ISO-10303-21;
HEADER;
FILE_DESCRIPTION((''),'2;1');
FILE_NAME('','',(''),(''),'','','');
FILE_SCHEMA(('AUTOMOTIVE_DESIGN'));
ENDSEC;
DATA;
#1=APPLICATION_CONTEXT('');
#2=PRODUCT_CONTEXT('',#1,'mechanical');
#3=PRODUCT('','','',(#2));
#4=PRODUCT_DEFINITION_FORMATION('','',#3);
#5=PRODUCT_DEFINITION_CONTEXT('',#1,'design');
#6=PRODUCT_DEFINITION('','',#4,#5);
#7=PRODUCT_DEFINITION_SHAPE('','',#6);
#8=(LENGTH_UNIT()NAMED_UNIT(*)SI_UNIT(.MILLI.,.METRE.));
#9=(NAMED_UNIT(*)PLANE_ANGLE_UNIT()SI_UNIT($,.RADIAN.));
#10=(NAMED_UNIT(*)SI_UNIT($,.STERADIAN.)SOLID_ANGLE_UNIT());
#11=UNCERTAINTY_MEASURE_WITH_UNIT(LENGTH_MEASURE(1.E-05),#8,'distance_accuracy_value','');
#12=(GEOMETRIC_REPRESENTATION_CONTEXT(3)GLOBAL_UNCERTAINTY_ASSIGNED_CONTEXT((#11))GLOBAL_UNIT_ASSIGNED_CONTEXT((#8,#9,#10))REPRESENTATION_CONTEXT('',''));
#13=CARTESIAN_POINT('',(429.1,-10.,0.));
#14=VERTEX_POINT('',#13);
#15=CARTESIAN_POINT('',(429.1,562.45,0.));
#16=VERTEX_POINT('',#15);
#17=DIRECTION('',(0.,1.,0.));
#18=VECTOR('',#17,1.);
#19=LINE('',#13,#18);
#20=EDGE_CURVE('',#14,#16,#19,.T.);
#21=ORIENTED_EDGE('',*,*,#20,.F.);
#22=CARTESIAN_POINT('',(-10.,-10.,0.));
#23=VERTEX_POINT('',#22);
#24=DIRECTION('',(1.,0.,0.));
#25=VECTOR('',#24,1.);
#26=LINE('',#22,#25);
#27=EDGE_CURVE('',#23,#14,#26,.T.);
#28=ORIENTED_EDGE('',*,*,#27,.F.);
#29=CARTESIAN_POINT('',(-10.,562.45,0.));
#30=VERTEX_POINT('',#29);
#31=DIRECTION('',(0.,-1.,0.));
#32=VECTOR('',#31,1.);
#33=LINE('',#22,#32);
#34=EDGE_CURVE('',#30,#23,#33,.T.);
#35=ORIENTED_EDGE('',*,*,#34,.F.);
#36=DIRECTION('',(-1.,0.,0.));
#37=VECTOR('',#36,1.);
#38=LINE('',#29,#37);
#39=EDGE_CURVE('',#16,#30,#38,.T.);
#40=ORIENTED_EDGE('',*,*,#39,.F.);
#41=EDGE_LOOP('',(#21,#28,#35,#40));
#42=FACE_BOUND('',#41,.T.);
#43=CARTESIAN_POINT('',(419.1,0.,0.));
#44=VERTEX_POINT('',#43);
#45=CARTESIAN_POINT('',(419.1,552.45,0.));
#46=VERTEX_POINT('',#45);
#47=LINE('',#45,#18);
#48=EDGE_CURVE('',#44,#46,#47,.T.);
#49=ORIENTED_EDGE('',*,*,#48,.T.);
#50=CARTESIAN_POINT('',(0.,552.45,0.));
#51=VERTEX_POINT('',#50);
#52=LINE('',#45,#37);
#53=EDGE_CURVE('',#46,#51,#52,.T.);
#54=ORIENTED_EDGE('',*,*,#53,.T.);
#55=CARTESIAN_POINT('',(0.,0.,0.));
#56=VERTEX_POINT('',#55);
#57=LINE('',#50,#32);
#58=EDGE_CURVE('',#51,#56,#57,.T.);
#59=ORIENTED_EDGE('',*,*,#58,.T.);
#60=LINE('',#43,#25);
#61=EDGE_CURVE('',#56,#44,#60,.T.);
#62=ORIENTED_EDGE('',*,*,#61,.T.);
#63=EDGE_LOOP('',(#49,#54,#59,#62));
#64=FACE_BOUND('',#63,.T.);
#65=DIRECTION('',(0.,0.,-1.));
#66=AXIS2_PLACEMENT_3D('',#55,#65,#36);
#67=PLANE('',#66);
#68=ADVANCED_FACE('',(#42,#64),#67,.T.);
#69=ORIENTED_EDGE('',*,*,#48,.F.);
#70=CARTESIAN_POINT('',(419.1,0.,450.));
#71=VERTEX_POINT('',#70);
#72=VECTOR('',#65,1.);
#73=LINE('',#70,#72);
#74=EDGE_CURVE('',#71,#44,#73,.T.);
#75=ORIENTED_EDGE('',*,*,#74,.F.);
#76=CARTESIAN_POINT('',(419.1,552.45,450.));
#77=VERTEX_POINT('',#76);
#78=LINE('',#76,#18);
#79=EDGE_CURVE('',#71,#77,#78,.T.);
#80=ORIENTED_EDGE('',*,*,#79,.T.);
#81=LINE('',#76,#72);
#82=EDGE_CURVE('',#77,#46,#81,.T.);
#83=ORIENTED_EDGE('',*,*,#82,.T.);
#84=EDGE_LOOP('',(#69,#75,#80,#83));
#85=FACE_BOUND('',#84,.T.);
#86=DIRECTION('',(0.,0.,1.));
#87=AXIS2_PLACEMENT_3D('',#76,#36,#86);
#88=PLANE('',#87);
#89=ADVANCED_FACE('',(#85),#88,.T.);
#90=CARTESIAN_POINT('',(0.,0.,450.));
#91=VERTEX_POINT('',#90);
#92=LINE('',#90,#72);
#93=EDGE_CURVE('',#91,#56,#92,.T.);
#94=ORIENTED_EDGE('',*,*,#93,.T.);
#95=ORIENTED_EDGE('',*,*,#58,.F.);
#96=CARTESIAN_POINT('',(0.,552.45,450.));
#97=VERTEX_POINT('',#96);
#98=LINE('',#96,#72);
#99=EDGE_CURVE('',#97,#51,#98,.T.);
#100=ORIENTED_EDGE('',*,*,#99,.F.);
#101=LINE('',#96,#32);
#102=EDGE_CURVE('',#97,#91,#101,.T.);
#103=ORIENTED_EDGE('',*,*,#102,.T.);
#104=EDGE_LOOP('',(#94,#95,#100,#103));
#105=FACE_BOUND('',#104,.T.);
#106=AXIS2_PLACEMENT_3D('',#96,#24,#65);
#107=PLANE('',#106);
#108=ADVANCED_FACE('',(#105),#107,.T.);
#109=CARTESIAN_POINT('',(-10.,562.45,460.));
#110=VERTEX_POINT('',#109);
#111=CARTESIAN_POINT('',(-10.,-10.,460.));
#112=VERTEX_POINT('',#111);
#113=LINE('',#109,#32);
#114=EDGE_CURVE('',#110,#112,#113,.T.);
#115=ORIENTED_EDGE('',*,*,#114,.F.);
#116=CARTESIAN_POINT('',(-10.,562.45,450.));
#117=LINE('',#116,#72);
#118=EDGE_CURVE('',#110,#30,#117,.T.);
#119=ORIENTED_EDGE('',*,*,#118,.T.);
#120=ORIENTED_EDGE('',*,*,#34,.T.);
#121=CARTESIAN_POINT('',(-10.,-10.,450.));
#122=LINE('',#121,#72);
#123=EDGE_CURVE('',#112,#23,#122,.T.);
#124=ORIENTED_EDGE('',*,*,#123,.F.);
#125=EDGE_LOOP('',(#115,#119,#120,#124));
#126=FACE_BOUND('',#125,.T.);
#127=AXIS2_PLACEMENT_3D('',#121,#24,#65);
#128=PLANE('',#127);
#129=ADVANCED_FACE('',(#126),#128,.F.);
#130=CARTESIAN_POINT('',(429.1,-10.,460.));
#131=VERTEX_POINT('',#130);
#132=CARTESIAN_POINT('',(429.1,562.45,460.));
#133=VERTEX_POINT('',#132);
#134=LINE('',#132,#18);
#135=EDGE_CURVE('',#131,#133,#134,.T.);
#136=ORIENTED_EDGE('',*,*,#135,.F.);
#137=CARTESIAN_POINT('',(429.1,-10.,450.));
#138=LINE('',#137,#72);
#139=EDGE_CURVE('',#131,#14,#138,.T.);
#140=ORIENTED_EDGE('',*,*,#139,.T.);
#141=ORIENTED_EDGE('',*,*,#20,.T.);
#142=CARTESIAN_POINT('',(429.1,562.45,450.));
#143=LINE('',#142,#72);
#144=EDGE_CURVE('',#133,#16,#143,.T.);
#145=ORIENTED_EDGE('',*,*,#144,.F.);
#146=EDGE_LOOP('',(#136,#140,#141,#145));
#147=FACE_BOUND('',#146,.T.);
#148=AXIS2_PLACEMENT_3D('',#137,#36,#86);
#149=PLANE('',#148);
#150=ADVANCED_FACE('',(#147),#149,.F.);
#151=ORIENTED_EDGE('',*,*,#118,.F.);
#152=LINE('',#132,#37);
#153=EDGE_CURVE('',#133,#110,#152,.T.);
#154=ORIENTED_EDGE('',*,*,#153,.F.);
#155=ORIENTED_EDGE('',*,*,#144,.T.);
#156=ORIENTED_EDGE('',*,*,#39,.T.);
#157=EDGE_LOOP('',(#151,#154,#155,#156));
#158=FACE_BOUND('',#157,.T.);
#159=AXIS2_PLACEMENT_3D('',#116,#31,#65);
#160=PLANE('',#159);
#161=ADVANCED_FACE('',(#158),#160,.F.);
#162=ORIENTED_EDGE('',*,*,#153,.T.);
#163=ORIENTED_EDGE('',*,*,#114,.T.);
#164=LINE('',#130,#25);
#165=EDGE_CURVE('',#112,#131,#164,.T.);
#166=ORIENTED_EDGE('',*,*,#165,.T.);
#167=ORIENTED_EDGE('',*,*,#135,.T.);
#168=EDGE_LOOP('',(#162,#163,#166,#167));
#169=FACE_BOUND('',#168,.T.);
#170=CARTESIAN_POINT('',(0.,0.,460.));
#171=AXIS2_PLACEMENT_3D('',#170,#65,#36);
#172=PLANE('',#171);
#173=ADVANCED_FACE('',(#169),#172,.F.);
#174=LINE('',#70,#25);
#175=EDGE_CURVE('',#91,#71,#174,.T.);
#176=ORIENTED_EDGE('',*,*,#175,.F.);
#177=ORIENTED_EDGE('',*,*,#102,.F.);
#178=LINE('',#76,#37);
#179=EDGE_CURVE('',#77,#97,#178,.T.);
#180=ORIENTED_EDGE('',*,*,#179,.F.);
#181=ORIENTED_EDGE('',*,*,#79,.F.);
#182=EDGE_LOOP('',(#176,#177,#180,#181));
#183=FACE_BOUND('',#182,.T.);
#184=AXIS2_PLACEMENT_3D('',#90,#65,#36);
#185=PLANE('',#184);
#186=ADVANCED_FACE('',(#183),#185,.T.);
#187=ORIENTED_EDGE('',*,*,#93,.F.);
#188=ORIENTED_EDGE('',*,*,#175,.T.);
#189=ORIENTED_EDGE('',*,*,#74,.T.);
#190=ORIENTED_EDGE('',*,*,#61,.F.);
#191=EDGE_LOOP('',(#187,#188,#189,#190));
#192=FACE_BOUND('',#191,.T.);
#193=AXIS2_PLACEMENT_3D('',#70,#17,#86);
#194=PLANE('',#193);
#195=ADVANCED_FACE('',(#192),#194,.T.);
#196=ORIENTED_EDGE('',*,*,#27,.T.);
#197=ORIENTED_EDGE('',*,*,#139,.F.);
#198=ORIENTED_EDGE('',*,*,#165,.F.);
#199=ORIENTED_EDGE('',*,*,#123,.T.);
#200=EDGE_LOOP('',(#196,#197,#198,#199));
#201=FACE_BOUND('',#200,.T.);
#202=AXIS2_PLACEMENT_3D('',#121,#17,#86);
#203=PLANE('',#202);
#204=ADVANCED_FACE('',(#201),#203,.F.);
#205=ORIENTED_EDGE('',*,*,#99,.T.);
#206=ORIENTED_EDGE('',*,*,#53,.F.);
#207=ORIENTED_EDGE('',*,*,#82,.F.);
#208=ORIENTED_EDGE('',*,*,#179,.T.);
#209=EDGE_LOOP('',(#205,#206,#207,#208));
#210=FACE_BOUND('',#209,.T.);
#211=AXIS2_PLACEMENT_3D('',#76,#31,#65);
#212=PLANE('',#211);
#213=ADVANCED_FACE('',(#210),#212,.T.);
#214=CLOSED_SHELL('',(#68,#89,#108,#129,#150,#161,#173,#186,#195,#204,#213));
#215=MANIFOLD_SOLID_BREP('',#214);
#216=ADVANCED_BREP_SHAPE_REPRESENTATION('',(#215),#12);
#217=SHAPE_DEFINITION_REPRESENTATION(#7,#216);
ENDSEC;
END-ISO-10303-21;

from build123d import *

# Parameters (mm, degrees)
SKETCH1_W           = 439.1
SKETCH1_H           = 572.45
SKETCH1_W_2         = 419.1
SKETCH1_H_2         = 552.45
BOSS_EXTRUDE1_DEPTH = 450
SKETCH3_W           = 439.1
SKETCH3_H           = 572.45
BOSS_EXTRUDE2_DEPTH = 10


with BuildPart() as part:
    # Sketch1 → Boss-Extrude1 (new body)
    with BuildSketch(Plane.XY):
        with Locations((209.55, 276.225)):
            Rectangle(SKETCH1_W, SKETCH1_H)
        with Locations((209.55, 276.225)):
            Rectangle(SKETCH1_W_2, SKETCH1_H_2, mode=Mode.SUBTRACT)
    extrude(amount=BOSS_EXTRUDE1_DEPTH)

    # Sketch3 → Boss-Extrude2 (add)
    with BuildSketch(Plane.XY.offset(450)):
        with Locations((209.55, 276.225)):
            Rectangle(SKETCH3_W, SKETCH3_H)
    extrude(amount=BOSS_EXTRUDE2_DEPTH)


solid = part.part
